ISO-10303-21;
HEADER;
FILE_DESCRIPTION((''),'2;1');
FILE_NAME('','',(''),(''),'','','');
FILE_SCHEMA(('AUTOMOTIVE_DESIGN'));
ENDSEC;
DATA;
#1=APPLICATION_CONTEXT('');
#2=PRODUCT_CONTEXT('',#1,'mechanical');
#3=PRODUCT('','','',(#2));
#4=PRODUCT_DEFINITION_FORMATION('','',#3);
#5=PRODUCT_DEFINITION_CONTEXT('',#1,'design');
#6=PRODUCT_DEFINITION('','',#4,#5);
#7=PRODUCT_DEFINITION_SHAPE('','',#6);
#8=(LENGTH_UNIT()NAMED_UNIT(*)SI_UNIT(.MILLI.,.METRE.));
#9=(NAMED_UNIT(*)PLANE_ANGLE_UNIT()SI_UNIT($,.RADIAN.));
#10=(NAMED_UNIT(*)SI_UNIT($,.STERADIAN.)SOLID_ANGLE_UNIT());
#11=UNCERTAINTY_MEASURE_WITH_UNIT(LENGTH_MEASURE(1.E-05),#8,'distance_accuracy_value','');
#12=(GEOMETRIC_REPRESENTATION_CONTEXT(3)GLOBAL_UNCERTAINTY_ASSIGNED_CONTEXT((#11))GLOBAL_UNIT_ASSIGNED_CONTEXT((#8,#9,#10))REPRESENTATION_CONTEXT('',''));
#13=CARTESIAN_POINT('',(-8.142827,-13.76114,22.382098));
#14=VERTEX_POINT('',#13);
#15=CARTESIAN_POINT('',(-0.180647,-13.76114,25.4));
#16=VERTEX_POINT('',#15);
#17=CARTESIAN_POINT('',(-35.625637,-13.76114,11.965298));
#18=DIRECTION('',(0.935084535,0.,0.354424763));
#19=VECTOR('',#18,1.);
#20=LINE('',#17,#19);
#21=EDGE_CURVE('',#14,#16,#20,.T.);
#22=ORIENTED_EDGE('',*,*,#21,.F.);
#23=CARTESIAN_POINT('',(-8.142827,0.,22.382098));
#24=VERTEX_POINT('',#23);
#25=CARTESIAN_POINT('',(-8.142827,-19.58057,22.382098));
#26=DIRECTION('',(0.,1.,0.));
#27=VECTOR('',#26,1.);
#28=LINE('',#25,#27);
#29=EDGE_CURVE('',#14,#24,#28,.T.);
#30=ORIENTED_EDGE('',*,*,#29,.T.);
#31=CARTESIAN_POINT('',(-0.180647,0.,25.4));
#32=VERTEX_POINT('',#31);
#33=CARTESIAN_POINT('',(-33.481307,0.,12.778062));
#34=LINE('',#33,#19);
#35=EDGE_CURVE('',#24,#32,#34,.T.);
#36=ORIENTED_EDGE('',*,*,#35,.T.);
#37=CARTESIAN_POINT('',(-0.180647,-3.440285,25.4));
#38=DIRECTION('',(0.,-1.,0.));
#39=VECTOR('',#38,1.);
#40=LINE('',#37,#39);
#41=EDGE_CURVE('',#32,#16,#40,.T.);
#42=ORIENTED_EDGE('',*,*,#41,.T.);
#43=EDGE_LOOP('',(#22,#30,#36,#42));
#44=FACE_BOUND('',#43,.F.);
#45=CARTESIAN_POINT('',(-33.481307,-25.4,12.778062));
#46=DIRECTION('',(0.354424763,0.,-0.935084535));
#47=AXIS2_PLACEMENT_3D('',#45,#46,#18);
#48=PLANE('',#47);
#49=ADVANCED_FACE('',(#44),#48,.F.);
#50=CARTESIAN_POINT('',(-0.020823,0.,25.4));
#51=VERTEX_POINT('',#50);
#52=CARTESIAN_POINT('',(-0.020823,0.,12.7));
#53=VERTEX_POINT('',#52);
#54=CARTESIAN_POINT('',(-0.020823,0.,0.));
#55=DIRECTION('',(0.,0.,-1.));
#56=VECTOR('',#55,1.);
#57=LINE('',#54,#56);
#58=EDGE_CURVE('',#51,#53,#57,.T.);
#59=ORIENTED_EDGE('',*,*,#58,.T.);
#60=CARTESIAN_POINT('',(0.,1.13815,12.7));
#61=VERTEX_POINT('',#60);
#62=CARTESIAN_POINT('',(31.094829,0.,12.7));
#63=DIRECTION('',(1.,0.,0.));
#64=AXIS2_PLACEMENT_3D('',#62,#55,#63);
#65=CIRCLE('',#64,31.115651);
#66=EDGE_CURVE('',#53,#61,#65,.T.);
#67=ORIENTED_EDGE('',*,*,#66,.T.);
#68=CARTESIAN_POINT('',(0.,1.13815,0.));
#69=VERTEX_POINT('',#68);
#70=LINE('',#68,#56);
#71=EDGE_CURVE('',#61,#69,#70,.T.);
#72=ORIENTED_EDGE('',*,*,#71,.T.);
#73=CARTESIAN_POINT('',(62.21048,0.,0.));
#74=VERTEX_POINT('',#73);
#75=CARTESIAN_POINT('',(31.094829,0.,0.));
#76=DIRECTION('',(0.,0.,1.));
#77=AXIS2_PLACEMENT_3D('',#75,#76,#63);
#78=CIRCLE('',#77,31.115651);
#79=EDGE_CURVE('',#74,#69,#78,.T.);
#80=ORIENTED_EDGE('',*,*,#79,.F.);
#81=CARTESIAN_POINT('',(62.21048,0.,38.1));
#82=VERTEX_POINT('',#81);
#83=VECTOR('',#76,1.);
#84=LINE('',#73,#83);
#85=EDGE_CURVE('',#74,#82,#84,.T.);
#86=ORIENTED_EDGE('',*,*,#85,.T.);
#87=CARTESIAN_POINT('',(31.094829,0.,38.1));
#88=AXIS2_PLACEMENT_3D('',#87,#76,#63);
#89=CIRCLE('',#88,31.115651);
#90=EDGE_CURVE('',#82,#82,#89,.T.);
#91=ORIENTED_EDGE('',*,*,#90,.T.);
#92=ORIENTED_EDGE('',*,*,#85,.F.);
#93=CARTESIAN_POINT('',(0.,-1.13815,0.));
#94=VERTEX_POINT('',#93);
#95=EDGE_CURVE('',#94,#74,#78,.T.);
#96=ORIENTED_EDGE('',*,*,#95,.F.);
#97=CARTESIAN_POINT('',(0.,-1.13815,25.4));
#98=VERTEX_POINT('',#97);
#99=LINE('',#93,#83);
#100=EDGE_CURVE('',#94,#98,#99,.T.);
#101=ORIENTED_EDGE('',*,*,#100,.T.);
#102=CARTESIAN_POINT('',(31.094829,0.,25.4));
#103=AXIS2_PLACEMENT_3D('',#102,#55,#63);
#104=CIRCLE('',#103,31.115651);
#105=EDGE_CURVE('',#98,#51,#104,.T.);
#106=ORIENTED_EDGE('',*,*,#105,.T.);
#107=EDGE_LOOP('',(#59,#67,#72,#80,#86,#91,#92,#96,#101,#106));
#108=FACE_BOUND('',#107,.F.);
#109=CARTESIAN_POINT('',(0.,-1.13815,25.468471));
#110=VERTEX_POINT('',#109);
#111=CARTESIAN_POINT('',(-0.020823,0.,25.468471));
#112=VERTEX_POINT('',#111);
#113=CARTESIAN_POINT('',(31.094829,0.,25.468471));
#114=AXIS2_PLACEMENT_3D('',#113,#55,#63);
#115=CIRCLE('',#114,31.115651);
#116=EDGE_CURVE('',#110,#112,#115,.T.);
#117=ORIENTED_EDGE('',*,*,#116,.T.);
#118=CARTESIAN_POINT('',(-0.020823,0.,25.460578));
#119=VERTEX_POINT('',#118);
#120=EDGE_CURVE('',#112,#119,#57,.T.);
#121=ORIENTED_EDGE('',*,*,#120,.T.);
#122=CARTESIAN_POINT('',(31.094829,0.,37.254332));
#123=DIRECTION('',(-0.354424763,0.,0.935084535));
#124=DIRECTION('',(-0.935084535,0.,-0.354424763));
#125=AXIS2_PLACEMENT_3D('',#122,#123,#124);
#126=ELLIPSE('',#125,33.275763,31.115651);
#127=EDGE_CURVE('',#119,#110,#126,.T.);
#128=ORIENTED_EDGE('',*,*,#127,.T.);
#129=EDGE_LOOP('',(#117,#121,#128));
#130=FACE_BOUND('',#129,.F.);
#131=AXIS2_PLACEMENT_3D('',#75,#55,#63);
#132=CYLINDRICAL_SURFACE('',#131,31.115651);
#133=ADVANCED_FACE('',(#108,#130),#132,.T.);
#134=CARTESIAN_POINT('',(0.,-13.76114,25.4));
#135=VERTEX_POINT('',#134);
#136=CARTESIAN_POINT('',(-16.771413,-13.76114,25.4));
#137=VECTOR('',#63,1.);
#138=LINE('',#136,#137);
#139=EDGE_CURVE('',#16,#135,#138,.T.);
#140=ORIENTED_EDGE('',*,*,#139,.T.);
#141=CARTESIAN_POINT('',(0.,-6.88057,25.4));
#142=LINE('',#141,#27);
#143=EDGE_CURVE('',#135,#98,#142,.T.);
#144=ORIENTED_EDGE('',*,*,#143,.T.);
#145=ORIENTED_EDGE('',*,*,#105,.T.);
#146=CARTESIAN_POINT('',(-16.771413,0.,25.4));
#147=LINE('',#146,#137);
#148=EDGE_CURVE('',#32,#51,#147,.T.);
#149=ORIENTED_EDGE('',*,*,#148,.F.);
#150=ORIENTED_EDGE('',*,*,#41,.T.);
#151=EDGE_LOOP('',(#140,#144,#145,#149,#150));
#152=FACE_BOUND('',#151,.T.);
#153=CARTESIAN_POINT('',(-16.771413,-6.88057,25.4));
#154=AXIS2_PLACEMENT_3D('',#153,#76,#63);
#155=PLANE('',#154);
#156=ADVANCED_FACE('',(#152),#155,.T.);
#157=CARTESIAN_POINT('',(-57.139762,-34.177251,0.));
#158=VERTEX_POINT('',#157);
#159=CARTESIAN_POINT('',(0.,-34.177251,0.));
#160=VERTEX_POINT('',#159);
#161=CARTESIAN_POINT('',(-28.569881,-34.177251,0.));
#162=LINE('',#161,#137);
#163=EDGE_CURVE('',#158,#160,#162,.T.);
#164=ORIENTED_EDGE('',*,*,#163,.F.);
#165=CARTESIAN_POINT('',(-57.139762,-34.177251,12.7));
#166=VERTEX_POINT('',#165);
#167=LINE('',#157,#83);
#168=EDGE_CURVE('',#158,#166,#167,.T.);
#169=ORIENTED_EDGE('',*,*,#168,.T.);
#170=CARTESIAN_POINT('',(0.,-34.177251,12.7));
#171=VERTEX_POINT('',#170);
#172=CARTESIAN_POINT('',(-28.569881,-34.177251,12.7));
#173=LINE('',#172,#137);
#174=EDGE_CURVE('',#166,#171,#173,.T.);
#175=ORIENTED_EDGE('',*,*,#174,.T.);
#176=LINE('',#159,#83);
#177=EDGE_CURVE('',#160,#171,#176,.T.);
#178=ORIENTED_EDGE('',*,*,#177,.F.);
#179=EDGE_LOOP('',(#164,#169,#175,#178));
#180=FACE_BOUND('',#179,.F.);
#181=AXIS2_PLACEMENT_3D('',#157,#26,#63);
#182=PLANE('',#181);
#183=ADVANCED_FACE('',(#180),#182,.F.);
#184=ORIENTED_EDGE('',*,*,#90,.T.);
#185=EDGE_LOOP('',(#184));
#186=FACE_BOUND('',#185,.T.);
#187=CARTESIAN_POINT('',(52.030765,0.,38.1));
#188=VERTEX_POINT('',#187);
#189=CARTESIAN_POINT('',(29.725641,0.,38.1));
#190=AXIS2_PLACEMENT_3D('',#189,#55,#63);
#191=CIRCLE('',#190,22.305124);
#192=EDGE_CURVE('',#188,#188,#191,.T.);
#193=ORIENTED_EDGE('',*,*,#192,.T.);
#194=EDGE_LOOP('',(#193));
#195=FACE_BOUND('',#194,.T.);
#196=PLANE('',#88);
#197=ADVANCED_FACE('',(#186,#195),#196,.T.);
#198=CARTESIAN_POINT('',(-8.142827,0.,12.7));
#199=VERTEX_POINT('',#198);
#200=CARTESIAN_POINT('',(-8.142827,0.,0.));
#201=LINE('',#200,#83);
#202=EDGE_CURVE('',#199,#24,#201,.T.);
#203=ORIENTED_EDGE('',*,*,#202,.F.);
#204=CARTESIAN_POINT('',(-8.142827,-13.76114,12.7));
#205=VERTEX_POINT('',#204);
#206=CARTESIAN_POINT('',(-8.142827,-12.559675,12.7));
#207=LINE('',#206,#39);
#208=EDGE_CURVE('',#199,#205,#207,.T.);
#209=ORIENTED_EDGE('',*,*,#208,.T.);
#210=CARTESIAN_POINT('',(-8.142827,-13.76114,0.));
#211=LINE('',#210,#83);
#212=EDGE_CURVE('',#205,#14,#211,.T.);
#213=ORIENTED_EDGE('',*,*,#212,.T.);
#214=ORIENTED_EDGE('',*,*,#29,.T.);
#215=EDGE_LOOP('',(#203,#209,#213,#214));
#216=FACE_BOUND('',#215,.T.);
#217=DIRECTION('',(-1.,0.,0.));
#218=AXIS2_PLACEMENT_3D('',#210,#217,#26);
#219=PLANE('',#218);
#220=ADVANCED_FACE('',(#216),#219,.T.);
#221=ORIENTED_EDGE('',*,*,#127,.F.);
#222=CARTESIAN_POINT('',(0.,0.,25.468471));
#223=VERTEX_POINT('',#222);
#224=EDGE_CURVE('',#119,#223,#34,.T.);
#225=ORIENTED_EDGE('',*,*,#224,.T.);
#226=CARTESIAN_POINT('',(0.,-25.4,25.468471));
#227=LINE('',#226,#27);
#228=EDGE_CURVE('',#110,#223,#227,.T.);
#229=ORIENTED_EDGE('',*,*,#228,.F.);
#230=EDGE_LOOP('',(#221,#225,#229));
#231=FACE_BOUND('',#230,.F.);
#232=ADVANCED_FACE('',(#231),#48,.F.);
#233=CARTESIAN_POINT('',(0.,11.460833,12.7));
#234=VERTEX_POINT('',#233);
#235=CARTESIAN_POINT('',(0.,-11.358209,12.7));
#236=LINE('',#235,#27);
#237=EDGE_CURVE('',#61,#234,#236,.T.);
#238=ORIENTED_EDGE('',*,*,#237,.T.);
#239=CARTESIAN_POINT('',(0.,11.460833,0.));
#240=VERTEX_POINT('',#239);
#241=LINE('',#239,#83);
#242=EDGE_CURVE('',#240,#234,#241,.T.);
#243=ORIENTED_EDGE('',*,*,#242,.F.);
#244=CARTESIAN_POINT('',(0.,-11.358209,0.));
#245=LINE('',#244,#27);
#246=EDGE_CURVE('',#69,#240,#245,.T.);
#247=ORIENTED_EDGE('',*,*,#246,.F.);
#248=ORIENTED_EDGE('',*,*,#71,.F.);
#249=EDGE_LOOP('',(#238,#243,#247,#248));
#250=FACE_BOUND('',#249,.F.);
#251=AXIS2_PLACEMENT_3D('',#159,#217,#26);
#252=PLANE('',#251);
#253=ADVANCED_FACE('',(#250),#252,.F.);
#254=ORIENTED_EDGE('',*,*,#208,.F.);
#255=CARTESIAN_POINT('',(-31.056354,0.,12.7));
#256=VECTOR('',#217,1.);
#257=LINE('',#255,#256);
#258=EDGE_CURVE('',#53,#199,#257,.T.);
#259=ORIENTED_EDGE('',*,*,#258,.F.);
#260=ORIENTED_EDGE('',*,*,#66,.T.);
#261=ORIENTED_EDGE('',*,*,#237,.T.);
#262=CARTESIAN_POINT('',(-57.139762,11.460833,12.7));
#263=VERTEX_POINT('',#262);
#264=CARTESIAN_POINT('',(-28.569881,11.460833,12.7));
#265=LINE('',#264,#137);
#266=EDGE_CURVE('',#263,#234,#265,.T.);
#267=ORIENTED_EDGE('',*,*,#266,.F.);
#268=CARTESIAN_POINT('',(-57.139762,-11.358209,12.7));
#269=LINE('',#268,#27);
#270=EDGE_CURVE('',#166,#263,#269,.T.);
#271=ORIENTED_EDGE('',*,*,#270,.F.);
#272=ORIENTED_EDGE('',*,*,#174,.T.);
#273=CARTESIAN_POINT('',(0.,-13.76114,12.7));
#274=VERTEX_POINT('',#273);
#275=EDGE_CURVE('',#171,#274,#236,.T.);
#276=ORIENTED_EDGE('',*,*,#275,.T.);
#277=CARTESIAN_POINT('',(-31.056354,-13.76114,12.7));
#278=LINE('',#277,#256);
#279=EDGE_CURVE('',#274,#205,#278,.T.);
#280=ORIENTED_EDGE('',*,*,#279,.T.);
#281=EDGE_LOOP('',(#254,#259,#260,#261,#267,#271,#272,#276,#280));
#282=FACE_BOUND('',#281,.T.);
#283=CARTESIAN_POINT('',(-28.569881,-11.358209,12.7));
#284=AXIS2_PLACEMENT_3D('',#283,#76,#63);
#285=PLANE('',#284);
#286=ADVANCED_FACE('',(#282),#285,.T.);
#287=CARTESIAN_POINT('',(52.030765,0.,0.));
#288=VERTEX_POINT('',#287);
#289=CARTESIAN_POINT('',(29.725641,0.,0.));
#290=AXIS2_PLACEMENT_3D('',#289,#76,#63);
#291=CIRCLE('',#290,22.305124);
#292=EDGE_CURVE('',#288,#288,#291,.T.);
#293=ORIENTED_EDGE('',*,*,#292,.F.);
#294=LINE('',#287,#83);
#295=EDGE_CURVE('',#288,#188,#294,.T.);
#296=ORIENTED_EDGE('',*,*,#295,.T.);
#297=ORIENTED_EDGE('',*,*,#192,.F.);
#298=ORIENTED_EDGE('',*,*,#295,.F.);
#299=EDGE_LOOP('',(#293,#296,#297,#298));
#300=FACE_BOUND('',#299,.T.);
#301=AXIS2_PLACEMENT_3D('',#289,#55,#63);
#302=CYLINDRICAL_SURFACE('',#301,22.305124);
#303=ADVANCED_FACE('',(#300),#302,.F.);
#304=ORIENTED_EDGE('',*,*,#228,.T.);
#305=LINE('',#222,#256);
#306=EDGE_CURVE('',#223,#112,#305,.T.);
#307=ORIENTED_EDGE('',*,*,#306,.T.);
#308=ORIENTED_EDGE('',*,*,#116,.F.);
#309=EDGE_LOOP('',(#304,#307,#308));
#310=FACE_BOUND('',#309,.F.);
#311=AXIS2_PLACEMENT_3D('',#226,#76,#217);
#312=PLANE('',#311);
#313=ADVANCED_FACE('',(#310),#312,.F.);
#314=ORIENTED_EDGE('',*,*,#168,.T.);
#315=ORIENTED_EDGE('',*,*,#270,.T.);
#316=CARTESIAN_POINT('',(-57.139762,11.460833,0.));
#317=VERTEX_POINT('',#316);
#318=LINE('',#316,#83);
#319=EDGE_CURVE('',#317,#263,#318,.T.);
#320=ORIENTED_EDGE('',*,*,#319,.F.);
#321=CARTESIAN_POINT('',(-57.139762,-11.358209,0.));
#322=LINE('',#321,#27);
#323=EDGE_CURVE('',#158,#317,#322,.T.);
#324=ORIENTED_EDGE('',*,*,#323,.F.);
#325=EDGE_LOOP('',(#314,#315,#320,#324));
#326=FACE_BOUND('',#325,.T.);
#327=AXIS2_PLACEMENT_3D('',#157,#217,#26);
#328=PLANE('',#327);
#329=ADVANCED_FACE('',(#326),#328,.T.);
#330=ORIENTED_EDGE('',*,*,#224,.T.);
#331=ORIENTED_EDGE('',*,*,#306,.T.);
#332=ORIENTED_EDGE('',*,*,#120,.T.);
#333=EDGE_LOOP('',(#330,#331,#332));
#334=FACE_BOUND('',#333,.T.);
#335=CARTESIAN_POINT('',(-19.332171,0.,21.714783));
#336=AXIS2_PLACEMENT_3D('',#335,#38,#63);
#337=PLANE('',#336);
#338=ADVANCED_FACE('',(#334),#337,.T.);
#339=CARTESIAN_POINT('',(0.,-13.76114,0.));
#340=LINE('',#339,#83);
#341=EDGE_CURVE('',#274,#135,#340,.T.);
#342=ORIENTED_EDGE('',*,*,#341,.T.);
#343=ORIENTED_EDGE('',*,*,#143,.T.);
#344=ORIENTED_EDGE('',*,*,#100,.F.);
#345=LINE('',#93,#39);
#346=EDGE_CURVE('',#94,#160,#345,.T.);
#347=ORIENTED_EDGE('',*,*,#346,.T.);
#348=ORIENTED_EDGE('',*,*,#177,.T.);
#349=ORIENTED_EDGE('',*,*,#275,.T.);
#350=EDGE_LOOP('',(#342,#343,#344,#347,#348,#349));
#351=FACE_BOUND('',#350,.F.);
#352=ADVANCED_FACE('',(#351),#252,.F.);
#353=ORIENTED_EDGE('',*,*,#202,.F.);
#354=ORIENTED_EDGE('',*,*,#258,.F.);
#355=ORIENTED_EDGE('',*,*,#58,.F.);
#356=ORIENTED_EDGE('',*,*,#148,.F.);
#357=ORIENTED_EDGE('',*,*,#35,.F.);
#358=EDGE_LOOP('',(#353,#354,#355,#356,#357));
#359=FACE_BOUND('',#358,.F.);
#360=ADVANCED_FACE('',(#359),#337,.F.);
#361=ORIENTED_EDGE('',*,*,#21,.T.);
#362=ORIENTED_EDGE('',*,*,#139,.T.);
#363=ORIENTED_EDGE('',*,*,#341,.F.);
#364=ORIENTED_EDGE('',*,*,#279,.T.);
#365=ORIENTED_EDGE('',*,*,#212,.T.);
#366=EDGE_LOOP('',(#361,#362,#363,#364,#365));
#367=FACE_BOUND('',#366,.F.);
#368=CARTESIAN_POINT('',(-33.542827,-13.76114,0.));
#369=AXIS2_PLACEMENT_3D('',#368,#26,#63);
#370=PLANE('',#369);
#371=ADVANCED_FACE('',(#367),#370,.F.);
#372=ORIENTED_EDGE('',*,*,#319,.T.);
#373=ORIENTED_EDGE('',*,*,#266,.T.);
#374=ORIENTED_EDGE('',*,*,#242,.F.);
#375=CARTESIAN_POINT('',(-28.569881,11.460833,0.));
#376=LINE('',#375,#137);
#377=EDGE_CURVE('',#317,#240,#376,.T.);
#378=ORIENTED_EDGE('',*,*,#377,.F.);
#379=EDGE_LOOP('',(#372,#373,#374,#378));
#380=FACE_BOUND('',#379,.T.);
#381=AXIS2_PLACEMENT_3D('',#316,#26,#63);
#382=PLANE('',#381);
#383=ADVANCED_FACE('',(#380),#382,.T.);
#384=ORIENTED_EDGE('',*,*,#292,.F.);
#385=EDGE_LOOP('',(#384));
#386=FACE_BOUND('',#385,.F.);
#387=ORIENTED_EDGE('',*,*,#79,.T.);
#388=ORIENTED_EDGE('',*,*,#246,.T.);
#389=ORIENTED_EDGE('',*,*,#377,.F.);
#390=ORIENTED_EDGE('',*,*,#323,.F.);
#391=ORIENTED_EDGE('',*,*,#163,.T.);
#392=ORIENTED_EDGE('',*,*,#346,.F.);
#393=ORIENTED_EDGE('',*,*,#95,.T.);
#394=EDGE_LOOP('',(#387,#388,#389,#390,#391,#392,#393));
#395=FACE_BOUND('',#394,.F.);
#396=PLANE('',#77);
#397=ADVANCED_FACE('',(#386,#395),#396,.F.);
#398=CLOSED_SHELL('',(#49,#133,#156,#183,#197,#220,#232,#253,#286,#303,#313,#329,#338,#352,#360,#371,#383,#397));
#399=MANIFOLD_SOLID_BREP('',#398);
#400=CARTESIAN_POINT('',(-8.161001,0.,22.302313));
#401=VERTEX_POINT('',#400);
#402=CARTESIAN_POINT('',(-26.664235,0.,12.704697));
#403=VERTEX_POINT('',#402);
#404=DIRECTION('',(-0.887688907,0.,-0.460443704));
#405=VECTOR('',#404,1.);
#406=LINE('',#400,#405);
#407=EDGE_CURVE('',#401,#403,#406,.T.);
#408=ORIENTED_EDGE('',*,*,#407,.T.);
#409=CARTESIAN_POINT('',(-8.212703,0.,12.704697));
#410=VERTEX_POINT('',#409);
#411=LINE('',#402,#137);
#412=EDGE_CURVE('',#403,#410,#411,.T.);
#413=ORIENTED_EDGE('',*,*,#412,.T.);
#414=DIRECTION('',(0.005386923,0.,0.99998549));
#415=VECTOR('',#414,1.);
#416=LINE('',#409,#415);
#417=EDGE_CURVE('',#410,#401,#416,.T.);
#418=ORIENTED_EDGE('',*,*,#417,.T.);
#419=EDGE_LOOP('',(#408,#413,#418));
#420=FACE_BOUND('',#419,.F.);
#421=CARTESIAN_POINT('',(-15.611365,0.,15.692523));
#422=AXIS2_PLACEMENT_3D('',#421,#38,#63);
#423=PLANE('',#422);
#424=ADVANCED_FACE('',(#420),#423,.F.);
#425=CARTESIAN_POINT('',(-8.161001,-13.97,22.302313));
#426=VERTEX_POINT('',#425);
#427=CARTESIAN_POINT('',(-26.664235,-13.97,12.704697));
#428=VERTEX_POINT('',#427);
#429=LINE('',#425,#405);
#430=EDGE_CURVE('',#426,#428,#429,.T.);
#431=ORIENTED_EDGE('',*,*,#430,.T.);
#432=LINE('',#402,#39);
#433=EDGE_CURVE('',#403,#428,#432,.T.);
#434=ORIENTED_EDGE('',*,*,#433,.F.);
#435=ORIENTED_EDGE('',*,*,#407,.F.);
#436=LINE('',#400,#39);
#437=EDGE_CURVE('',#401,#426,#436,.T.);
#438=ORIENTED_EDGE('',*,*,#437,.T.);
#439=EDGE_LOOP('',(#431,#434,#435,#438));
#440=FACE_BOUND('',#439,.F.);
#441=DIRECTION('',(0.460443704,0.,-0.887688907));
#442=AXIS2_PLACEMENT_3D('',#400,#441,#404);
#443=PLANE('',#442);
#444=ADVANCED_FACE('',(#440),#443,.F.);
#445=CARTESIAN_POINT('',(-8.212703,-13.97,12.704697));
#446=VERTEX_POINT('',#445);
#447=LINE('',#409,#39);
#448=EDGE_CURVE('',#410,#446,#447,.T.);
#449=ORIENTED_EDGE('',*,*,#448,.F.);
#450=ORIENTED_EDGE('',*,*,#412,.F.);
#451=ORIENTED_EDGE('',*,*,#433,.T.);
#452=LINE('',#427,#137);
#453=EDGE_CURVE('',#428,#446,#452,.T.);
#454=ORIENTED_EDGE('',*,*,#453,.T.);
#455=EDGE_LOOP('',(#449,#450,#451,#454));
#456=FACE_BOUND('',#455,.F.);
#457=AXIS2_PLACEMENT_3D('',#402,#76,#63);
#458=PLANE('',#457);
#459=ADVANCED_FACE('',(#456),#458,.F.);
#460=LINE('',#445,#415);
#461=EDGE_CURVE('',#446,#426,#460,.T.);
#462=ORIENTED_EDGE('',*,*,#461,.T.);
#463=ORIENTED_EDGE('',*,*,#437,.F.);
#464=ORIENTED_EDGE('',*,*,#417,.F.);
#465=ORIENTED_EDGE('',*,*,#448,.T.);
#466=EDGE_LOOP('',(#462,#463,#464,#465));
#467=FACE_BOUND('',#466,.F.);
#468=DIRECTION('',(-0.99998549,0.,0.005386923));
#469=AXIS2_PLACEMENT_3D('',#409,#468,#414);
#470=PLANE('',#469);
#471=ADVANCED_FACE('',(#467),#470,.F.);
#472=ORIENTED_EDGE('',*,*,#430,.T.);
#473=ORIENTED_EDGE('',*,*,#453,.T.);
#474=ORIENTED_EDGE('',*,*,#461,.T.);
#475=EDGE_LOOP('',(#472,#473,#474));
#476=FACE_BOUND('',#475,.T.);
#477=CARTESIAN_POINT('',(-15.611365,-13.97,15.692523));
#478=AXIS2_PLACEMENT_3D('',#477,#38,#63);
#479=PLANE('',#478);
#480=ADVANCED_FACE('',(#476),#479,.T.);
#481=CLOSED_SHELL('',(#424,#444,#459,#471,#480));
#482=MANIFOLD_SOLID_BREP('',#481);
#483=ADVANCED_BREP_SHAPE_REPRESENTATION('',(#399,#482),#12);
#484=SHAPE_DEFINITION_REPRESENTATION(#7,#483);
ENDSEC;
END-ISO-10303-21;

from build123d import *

# Parameters (mm, degrees)
F0_W      = 57.1397617459
F0_H      = 45.6380844116
F1_DEPTH  = 12.7
F2_R      = 31.1156512476
F3_DEPTH  = 38.1
F4_R      = 22.305124326
F5_DEPTH  = 25.4
F6_DEPTH  = 25.4
F7_W      = 33.5428267717
F7_H      = 13.7611404061
F8_DEPTH  = 25.4
F10_DEPTH = 101.6
F11_DEPTH = 25.4
F12_DEPTH = 25.4
F13_DEPTH = 25.4
F14_DEPTH = 25.4
F15_DEPTH = 25.4
F17_DEPTH = 13.97


with BuildPart() as f1:
    # F0 (on Top) → F1 (new body)
    with BuildSketch(Plane.XY):
        with Locations((-28.569880873, -11.3582089543)):
            Rectangle(F0_W, F0_H)
    extrude(amount=F1_DEPTH)

    # F2 (on Top) → F3 (join)
    with BuildSketch(Plane.XY):
        with Locations((31.0948286206, 0)):
            Circle(F2_R)
    extrude(amount=F3_DEPTH)

    # F4 (on Top) → F5 (cut)
    with BuildSketch(Plane.XY):
        with Locations((29.7256410122, 0)):
            Circle(F4_R)
    extrude(amount=F5_DEPTH, mode=Mode.SUBTRACT)

    # F6 (cut): a face of the model
    f6_faces = [f1.faces().sort_by_distance(p)[0] for p in [
        (29.7256410122, 0, 25.4),
    ]]
    extrude(f6_faces, amount=-F6_DEPTH, mode=Mode.SUBTRACT)

    # F7 (on Top) → F8 (join)
    with BuildSketch(Plane.XY):
        with Locations((-16.7714133859, -6.8805702031)):
            Rectangle(F7_W, F7_H)
    extrude(amount=F8_DEPTH)

    # F9 (on Front) → F10 (join)
    with BuildSketch(Plane.XZ):
        Polygon((-33.4813073277, 25.4684705287), (-33.4813073277, 12.7780623734), (0, 25.4684705287), align=None)
    extrude(amount=F10_DEPTH)

    # F11 (cut): a face of the model
    f11_faces = [f1.faces().sort_by_distance(p)[0] for p in [
        (-22.3208715518, -101.6, 21.2383344769),
    ]]
    extrude(f11_faces, amount=-F11_DEPTH, mode=Mode.SUBTRACT)

    # F12 (cut): a face of the model
    f12_faces = [f1.faces().sort_by_distance(p)[0] for p in [
        (-22.3208715518, -76.2, 21.2383344769),
    ]]
    extrude(f12_faces, amount=-F12_DEPTH, mode=Mode.SUBTRACT)

    # F13 (cut): a face of the model
    f13_faces = [f1.faces().sort_by_distance(p)[0] for p in [
        (-22.3208715518, -50.8, 21.2383344769),
    ]]
    extrude(f13_faces, amount=-F13_DEPTH, mode=Mode.SUBTRACT)

    # F14 (cut): a face of the model
    f14_faces = [f1.faces().sort_by_distance(p)[0] for p in [
        (-22.3208715518, -25.4, 21.2383344769),
    ]]
    extrude(f14_faces, amount=-F14_DEPTH, mode=Mode.SUBTRACT)

    # F15 (cut): a face of the model
    f15_faces = [f1.faces().sort_by_distance(p)[0] for p in [
        (-33.5428267717, -6.8805702031, 19.05),
    ]]
    extrude(f15_faces, amount=-F15_DEPTH, mode=Mode.SUBTRACT)


with BuildPart() as f17:
    # F16 (on Front) → F17 (new body)
    with BuildSketch(Plane.XZ):
        Polygon((-8.2127032802, 12.7046965063), (-8.1610009074, 22.3023127764), (-26.6642346978, 12.7046965063), align=None)
    extrude(amount=F17_DEPTH)


solid = Compound([f1.part, f17.part])
